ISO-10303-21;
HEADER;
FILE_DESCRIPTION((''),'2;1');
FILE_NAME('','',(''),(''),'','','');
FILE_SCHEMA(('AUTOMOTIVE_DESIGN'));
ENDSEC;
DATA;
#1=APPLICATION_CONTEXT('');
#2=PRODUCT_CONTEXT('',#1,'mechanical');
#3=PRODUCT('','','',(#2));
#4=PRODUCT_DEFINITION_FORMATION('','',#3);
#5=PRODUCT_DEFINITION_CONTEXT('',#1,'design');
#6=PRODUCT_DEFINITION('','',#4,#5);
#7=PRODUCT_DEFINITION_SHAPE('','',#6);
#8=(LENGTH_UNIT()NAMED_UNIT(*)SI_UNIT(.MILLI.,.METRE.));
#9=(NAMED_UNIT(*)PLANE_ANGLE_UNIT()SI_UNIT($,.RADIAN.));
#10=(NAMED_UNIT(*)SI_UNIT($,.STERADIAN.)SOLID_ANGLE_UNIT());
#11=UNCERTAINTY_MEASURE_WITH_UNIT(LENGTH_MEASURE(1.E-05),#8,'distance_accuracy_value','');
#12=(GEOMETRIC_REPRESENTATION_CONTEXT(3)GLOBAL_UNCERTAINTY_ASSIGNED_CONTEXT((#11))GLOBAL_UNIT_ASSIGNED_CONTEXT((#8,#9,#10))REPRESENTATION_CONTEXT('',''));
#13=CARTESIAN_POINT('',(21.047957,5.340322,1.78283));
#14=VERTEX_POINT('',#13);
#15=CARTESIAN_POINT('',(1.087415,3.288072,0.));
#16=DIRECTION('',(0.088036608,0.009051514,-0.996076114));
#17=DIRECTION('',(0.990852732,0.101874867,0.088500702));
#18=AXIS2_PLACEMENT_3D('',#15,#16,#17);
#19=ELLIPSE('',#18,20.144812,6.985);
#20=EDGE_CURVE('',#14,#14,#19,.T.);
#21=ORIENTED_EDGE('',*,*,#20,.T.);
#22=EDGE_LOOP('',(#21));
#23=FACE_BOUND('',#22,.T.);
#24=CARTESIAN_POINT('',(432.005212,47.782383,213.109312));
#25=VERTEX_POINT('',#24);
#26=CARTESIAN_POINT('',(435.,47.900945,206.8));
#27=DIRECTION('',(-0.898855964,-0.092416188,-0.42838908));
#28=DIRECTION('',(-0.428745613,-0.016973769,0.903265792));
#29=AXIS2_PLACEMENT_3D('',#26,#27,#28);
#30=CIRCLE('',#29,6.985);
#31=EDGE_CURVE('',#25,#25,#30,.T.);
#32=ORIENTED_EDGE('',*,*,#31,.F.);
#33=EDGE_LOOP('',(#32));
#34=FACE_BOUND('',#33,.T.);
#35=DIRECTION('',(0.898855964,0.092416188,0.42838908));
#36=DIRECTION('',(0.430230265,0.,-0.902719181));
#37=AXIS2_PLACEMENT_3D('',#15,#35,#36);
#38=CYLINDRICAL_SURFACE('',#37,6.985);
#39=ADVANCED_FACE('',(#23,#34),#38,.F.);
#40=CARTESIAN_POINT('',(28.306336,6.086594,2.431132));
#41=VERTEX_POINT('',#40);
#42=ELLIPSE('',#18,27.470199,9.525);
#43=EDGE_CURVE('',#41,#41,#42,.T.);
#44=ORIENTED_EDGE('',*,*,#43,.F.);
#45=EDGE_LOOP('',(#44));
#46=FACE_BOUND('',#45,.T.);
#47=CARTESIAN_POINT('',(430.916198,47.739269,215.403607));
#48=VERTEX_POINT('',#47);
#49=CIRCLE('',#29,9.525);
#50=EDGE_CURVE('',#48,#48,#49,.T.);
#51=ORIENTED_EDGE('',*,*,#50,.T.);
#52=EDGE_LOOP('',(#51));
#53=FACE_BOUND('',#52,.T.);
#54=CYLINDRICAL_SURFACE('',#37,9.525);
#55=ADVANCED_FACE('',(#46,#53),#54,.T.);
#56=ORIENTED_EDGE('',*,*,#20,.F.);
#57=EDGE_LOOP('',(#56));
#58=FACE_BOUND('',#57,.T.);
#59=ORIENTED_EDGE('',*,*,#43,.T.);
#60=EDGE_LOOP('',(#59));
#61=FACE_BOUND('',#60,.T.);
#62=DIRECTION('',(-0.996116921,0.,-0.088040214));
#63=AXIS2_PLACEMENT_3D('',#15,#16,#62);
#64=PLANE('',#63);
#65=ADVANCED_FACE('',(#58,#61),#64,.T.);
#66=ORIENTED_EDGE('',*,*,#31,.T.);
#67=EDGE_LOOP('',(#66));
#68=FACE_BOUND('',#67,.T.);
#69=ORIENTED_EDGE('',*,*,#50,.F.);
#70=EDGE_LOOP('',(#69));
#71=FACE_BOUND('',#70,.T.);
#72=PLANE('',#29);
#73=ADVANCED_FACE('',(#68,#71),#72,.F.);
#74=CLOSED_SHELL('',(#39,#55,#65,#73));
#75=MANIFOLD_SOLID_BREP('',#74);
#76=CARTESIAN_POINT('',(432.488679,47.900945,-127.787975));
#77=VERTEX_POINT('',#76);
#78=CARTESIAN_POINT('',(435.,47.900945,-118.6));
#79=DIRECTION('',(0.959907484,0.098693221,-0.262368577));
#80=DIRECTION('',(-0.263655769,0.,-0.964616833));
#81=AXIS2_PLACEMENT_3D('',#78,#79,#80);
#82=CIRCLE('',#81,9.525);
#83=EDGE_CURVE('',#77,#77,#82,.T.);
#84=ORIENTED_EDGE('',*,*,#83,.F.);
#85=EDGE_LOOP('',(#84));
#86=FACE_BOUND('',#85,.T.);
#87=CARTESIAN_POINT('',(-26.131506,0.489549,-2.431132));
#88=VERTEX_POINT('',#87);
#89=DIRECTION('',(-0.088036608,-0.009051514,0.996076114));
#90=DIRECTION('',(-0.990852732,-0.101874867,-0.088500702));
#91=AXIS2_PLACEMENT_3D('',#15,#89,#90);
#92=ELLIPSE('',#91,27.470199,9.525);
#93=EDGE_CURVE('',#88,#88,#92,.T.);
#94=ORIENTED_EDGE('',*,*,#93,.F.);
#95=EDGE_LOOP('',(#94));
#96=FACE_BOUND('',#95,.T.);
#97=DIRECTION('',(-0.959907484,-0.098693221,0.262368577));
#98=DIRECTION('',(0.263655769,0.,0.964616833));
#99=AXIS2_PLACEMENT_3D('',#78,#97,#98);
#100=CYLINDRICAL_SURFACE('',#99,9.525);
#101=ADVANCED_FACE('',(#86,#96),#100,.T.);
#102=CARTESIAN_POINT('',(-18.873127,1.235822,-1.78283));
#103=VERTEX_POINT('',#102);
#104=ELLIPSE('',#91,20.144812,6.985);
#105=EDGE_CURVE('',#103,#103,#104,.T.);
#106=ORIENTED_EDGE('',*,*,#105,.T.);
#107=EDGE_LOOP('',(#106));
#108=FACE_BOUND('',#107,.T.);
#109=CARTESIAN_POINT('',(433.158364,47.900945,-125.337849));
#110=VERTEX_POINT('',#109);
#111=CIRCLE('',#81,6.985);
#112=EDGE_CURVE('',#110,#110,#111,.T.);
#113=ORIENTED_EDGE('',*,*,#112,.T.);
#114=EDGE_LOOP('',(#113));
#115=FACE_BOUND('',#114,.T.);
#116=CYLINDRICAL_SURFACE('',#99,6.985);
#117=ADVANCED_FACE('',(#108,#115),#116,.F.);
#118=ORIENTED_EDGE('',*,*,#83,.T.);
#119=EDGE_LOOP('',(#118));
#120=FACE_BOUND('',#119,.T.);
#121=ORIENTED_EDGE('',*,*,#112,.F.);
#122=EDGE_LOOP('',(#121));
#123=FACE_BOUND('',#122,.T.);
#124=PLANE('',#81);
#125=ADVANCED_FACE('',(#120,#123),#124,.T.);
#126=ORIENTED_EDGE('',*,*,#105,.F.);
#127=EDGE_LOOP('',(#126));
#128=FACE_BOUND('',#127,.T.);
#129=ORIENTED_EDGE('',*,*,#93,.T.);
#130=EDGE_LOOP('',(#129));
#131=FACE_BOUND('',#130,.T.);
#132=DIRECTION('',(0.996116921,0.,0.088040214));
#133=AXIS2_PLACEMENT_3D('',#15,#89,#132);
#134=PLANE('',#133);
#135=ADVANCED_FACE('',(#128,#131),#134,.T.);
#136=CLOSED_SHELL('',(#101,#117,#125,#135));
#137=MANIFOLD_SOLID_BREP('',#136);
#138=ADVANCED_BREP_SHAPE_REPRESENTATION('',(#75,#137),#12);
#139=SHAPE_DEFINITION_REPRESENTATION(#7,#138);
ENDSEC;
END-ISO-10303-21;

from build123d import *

# Parameters (mm, degrees)
SKETCH1_ON_SEGMENT_1_R                         = 9.525
SKETCH1_ON_SEGMENT_1_R_2                       = 6.985
PIPE_STANDARD_S40_PIPE_1_SCH_40_1_DEPTH        = 520.177339385
SKETCH1_R                                      = 9.525
SKETCH1_R_2                                    = 6.985
PIPE_STANDARD_S40_PIPE_1_SCH_40_1_2_DEPTH      = 452.035839287
PIPE_STANDARD_S40_PIPE_1_SCH_40_1_2_DEPTH_BACK = 37.438610879


with BuildPart() as part:
    # Sketch1 on segment 1 (carried to segment 1) → Pipe standard s40 PIPE 1 SCH 40(1) (new body)
    with BuildSketch(Plane(origin=(435, 47.900944559, 206.8), x_dir=(-0.413447533, -0.145324098, 0.898855964), z_dir=(-0.898855964, -0.092416188, -0.42838908))):
        Circle(SKETCH1_ON_SEGMENT_1_R)
        Circle(SKETCH1_ON_SEGMENT_1_R_2, mode=Mode.SUBTRACT)
    extrude(amount=PIPE_STANDARD_S40_PIPE_1_SCH_40_1_DEPTH)

    # Pipe standard s40 PIPE 1 SCH 40(1) mitre
    split(bisect_by=Plane(origin=(1.087414829, 3.28807164, 0), x_dir=(0, -0.999958714, -0.009086796), z_dir=(-0.088036608, -0.009051514, 0.996076114)), keep=Keep.TOP)


with BuildPart() as body_2:
    # Sketch1 → Pipe standard s40 PIPE 1 SCH 40_1 2 (new, two sides)
    with BuildSketch(Plane(origin=(1.087414829, 3.28807164, 0), x_dir=(-0.2491636735910112, -0.12843319629111516, -0.9599074840072245), z_dir=(0.9599074840072245, 0.09869322084943591, -0.2623685772063502))) as pipe_standard_s40_pipe_1_sch_40_1_2_sk:
        Circle(SKETCH1_R)
        Circle(SKETCH1_R_2, mode=Mode.SUBTRACT)
    extrude(amount=PIPE_STANDARD_S40_PIPE_1_SCH_40_1_2_DEPTH)
    extrude(pipe_standard_s40_pipe_1_sch_40_1_2_sk.sketch, amount=-PIPE_STANDARD_S40_PIPE_1_SCH_40_1_2_DEPTH_BACK)

    # Pipe standard s40 PIPE 1 SCH 40_1 2 mitr
    split(bisect_by=Plane(origin=(1.087414829, 3.28807164, 0), x_dir=(0, 0.999958714, 0.009086796), z_dir=(0.088036608, 0.009051514, -0.996076114)), keep=Keep.TOP)


solid = Compound([part.part, body_2.part])
